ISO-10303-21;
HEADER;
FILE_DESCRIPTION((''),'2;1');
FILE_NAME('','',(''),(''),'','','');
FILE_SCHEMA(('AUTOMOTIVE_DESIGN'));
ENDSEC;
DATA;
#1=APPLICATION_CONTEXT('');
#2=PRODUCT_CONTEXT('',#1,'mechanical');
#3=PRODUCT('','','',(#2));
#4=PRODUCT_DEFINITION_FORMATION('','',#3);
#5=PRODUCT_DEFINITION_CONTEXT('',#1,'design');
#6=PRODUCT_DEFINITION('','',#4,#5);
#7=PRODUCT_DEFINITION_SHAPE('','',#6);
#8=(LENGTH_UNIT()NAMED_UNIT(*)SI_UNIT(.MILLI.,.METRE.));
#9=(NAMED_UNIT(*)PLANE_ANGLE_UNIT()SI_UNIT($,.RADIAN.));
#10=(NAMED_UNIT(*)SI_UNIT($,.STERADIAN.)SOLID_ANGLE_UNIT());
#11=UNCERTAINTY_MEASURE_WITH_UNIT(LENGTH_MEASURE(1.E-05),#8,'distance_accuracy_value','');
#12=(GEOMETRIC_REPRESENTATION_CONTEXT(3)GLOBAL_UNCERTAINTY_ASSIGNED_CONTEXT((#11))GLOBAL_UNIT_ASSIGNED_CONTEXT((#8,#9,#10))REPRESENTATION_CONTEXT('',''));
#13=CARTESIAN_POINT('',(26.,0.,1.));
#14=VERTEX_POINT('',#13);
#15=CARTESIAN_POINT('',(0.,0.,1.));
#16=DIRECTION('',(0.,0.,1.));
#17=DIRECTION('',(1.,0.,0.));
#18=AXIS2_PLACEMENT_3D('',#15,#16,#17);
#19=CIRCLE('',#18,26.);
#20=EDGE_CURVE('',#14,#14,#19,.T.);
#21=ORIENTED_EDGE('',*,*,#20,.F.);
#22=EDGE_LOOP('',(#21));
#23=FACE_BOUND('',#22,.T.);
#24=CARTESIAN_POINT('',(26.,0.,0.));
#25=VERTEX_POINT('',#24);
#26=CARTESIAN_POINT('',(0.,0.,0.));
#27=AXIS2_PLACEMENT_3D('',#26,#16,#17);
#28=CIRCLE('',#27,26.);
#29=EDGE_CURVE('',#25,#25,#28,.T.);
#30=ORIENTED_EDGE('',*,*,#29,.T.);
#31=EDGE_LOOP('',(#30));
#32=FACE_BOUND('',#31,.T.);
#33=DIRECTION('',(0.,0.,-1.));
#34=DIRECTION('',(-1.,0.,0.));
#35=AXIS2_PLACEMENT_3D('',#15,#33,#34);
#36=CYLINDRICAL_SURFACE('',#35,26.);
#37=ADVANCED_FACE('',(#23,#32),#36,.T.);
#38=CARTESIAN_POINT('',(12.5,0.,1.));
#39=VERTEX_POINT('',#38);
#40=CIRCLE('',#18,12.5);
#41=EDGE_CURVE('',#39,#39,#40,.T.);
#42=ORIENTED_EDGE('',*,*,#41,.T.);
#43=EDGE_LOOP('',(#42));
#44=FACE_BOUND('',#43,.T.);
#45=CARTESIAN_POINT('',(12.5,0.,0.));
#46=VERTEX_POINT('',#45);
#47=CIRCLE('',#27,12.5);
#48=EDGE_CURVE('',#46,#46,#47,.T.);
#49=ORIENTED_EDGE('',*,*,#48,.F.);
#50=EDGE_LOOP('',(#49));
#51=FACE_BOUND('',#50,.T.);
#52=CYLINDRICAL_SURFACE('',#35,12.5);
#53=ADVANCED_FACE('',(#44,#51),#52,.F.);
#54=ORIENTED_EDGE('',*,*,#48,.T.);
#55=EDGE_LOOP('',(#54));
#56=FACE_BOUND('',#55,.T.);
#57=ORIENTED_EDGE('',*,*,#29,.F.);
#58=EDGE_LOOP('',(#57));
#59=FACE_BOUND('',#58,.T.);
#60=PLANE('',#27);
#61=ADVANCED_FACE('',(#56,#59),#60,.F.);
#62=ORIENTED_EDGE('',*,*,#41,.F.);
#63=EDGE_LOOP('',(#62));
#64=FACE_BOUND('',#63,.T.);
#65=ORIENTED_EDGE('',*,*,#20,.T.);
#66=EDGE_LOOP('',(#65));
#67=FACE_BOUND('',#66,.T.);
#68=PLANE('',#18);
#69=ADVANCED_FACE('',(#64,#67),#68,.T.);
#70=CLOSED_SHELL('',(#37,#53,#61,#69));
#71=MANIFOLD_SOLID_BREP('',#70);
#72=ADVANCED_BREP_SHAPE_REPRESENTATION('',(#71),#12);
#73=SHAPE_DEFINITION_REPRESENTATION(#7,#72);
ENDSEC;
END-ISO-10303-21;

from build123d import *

# Parameters (mm, degrees)
IZIM1_R                     = 26
IZIM1_R_2                   = 12.5
Y_KSEKLIK_EKSTR_ZYON1_DEPTH = 1


with BuildPart() as part:
    # Çizim1 → Yükseklik-Ekstrüzyon1 (new body)
    with BuildSketch(Plane.XY):
        Circle(IZIM1_R)
        Circle(IZIM1_R_2, mode=Mode.SUBTRACT)
    extrude(amount=Y_KSEKLIK_EKSTR_ZYON1_DEPTH)


solid = part.part
